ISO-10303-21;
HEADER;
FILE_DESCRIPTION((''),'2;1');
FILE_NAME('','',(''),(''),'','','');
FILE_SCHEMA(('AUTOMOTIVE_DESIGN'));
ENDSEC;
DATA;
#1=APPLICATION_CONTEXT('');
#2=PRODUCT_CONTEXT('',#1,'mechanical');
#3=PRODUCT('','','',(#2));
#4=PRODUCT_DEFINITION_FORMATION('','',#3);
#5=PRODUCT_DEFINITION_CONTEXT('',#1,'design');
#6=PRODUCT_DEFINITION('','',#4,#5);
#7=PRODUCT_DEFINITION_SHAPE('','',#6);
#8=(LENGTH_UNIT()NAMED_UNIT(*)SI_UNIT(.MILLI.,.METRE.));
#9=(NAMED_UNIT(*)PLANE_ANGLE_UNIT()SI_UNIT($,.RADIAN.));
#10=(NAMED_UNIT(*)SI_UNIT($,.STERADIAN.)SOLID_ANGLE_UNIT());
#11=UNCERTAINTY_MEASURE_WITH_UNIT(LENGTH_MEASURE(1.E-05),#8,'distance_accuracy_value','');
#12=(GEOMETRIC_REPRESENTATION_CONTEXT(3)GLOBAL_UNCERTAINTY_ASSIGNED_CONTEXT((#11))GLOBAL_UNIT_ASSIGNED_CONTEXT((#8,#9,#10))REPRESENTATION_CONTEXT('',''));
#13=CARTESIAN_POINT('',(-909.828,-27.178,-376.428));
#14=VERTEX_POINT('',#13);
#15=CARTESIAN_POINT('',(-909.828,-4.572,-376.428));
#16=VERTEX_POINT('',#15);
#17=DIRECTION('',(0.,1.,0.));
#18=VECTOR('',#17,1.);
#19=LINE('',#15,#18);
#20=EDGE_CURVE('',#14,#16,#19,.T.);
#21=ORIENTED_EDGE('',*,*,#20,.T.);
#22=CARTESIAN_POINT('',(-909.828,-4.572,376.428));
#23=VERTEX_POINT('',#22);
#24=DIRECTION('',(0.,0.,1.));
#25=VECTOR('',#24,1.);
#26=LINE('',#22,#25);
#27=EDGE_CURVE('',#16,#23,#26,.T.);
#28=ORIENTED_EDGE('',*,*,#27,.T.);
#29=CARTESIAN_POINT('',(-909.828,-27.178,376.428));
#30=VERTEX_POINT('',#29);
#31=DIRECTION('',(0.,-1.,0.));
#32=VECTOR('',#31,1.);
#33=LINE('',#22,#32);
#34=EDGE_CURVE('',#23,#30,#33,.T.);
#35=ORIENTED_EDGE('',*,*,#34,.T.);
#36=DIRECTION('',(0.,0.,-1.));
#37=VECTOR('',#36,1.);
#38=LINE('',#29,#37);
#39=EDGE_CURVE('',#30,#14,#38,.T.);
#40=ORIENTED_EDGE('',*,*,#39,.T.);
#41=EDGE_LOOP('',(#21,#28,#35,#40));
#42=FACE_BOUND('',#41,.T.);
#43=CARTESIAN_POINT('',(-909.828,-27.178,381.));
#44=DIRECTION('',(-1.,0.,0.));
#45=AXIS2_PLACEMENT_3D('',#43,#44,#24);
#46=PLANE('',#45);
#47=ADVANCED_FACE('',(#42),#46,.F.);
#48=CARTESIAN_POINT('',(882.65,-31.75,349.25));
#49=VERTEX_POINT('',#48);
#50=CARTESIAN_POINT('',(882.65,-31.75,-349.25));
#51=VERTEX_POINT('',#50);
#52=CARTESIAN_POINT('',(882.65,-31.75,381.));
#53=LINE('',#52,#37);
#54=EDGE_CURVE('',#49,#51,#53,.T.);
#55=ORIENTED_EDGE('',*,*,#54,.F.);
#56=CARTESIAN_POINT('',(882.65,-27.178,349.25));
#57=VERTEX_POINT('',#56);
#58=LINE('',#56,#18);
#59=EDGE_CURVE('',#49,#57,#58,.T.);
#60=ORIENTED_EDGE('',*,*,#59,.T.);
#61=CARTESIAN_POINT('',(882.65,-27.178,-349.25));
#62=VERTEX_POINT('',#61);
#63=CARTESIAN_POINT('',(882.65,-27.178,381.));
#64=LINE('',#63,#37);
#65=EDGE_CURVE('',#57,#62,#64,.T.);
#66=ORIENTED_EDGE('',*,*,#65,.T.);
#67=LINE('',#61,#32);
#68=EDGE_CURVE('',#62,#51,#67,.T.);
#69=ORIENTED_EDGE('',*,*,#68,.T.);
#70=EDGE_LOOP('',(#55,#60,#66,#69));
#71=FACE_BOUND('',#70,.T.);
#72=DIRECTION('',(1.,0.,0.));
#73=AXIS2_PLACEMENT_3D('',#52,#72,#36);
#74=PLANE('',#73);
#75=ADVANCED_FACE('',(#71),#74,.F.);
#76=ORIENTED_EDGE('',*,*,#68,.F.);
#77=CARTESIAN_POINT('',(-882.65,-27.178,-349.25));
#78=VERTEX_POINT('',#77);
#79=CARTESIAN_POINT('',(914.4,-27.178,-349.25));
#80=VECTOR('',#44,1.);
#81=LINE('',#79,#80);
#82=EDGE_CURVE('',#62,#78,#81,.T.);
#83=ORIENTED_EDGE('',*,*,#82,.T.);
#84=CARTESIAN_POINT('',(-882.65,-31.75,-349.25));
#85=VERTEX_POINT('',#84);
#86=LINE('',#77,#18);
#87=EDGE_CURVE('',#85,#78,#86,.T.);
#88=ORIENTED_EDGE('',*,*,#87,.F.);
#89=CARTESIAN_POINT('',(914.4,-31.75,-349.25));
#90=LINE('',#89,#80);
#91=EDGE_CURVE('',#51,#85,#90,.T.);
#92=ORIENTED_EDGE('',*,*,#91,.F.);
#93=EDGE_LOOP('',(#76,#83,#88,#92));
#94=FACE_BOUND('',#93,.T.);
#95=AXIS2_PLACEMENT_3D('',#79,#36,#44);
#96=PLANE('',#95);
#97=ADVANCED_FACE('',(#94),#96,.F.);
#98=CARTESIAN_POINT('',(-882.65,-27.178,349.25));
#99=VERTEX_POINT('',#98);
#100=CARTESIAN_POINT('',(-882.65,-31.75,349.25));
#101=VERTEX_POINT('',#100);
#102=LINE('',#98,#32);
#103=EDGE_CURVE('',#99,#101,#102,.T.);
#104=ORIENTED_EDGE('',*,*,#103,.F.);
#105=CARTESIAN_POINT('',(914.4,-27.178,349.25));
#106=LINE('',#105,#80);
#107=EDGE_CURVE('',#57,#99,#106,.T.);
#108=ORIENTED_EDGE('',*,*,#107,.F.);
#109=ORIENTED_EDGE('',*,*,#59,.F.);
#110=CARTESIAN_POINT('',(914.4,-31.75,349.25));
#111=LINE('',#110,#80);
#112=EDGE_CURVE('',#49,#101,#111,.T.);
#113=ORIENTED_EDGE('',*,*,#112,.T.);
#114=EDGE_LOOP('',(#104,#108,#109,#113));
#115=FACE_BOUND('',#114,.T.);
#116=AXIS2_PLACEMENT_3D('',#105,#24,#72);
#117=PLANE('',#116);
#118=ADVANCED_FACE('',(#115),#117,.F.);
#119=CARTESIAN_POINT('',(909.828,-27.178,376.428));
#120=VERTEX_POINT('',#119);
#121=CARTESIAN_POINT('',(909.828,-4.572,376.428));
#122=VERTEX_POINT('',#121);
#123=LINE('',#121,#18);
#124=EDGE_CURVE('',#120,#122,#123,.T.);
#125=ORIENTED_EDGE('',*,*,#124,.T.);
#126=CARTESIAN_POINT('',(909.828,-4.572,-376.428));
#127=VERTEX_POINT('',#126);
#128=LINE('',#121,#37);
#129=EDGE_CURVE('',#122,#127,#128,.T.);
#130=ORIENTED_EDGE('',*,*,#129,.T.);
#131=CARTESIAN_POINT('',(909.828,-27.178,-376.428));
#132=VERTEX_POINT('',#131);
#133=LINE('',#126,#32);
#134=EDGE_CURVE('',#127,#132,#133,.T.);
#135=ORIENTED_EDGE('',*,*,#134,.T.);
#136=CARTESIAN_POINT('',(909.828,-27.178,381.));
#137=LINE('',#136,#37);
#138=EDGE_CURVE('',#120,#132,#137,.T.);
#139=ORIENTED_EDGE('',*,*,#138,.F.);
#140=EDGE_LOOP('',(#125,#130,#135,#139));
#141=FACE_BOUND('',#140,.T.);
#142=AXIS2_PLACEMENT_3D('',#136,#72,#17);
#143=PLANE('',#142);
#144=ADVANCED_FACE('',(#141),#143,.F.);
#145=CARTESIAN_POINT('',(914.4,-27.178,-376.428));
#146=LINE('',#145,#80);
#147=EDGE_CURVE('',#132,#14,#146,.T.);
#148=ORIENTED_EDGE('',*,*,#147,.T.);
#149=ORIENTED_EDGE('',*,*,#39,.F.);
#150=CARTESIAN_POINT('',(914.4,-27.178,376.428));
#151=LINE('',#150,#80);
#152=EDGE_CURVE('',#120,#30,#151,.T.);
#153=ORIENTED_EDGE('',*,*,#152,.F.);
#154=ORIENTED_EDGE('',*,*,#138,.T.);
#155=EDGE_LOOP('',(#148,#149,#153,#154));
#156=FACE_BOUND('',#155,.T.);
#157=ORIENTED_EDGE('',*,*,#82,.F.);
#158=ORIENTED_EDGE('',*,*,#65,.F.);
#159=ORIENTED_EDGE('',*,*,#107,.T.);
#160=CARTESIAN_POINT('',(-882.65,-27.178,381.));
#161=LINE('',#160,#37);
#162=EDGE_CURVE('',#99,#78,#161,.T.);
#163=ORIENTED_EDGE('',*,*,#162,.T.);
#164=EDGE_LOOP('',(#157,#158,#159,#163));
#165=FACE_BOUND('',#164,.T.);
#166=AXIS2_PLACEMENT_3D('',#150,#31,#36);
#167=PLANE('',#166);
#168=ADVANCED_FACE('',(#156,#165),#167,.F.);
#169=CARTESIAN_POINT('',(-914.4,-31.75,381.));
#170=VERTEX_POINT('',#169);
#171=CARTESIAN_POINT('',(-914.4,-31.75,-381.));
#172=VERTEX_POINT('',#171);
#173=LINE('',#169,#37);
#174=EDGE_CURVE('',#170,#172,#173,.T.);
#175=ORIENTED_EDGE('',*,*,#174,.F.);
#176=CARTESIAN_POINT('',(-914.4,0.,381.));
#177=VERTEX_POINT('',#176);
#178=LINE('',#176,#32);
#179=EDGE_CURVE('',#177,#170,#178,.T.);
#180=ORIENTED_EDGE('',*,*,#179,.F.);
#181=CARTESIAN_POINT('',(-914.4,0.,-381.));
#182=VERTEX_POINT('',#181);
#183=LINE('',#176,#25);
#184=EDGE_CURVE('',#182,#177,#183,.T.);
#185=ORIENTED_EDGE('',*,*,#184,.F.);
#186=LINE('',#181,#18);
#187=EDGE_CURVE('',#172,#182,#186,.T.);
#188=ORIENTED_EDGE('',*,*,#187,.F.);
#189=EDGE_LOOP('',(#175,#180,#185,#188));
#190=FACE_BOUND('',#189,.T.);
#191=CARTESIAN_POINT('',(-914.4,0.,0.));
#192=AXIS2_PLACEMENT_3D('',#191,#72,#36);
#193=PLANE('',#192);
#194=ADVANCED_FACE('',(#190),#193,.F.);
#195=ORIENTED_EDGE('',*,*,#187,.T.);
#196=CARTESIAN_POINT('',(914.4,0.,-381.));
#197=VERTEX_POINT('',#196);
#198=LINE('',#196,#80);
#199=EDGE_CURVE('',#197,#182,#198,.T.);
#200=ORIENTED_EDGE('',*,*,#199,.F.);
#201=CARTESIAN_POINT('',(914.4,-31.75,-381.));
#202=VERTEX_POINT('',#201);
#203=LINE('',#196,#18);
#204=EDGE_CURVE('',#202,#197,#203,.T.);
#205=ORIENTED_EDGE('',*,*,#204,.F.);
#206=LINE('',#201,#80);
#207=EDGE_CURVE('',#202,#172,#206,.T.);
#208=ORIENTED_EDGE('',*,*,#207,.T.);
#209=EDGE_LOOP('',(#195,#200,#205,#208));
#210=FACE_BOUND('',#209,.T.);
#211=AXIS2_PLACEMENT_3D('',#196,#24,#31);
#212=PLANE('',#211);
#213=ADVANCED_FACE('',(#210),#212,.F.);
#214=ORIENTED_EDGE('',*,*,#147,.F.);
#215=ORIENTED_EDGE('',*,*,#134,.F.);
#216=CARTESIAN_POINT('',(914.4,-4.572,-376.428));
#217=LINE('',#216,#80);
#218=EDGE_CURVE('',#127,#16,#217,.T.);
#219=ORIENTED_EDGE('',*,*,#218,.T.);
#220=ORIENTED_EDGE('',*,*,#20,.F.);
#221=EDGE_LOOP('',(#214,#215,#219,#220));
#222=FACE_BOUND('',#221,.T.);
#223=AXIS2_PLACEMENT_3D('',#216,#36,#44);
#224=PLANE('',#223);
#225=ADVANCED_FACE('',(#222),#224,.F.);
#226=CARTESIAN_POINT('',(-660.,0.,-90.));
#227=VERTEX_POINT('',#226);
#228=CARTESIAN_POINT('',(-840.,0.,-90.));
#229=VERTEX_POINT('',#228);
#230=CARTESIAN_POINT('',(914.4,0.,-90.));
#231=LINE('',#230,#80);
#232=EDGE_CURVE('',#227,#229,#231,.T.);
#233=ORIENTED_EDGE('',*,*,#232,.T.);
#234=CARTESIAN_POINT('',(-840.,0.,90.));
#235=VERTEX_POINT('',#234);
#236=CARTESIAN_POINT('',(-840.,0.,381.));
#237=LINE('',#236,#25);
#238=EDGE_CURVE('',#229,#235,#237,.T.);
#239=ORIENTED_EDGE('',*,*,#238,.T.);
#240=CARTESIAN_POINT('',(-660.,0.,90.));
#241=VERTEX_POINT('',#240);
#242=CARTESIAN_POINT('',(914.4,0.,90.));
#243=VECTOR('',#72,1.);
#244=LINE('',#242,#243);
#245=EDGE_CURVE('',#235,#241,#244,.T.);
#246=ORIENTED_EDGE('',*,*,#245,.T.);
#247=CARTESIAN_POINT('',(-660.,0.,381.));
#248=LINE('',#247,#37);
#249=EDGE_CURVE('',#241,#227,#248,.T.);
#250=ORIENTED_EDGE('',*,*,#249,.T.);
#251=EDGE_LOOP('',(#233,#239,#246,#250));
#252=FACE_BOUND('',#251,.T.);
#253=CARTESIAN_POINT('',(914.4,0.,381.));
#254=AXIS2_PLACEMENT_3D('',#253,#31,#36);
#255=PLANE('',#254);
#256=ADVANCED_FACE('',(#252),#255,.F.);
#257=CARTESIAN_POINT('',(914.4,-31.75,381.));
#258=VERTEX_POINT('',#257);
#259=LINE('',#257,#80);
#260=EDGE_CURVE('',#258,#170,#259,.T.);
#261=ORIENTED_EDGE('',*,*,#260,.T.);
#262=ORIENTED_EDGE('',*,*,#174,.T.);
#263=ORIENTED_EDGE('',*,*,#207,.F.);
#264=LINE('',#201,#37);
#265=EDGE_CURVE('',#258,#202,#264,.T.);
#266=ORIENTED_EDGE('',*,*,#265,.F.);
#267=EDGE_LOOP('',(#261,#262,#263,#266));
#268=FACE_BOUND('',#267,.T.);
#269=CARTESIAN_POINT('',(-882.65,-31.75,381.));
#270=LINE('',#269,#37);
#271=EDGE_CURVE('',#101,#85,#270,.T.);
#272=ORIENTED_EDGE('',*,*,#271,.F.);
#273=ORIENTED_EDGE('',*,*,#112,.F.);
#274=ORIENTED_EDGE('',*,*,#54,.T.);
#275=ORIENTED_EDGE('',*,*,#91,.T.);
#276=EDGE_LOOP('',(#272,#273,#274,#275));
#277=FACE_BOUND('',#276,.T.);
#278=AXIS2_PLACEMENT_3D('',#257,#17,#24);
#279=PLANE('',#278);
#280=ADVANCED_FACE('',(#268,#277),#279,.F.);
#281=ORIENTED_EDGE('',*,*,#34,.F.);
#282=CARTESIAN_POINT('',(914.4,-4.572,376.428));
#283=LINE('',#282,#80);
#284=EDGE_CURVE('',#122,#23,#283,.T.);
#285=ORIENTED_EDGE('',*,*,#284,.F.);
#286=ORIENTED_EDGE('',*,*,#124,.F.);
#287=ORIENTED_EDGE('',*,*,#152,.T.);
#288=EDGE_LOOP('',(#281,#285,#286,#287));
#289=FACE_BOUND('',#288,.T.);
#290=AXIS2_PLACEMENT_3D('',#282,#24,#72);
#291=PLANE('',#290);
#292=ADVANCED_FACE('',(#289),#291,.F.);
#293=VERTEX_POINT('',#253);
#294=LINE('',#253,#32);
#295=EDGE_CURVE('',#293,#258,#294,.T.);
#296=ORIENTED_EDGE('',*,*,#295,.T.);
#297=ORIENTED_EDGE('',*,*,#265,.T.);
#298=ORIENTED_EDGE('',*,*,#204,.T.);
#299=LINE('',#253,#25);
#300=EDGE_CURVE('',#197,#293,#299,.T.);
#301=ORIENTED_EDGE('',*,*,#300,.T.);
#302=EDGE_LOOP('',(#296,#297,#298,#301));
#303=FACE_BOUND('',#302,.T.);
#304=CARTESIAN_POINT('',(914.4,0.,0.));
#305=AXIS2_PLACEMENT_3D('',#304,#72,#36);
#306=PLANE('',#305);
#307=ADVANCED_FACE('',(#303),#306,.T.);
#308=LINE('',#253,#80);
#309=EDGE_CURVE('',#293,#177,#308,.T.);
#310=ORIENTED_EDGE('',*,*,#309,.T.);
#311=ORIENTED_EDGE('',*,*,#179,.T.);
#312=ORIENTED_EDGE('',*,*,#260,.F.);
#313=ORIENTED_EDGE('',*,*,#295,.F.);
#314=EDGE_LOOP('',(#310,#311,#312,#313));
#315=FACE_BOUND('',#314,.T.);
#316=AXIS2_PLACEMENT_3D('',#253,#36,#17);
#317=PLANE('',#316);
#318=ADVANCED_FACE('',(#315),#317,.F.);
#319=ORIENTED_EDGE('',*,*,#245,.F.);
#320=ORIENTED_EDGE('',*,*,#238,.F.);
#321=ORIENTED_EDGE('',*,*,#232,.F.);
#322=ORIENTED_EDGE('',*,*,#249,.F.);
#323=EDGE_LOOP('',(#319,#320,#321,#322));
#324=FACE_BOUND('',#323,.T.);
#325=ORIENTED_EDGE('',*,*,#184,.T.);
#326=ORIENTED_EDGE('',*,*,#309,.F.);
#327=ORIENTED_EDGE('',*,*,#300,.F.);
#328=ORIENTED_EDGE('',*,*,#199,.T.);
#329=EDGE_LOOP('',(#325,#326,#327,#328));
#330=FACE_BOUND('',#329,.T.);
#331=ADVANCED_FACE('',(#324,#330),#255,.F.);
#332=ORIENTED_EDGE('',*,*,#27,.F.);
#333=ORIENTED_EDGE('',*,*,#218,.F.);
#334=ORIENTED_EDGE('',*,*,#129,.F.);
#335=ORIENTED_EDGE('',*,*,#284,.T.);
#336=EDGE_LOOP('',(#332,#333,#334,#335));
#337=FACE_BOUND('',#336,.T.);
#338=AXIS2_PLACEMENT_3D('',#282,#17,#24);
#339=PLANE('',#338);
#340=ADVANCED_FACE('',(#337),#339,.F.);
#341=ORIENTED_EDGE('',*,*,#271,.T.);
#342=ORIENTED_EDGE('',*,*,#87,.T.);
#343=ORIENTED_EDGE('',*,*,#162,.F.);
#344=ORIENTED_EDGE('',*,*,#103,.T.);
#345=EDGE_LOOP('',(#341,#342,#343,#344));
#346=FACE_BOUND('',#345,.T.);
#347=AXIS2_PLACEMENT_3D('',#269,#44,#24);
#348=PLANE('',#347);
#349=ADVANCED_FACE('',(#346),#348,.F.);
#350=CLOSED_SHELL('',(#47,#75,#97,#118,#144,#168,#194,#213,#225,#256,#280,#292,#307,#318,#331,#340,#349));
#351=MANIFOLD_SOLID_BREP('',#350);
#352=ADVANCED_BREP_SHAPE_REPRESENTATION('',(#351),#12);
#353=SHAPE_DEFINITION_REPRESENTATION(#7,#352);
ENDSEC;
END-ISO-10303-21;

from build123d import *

# Parameters (mm, degrees)
BOSS_EXTRUDE1_DEPTH = 914.4
BOSS_EXTRUDE2_DEPTH = 381


with BuildPart() as part:
    # Sketch1 → Boss-Extrude1 (new body, symmetric)
    with BuildSketch(Plane(origin=(0, 0, 0), x_dir=(0, 0, -1), z_dir=(1, 0, 0))):
        Polygon((-381, 0), (381, 0), (381, -31.75), (349.25, -31.75), (349.25, -27.178), (376.428, -27.178), (376.428, -4.572), (-376.428, -4.572), (-376.428, -27.178), (-349.25, -27.178), (-349.25, -31.75), (-381, -31.75), align=None)
    extrude(amount=BOSS_EXTRUDE1_DEPTH, both=True)

    # Sketch2 → Boss-Extrude2 (add, symmetric)
    with BuildSketch(Plane.XY):
        Polygon((-914.4, 0), (-914.4, -31.75), (-882.65, -31.75), (-882.65, -27.178), (-909.828, -27.178), (-909.828, 0), align=None)
        Polygon((909.828, 0), (914.4, 0), (914.4, -31.75), (882.65, -31.75), (882.65, -27.178), (909.828, -27.178), align=None)
    extrude(amount=BOSS_EXTRUDE2_DEPTH, both=True)


solid = part.part
